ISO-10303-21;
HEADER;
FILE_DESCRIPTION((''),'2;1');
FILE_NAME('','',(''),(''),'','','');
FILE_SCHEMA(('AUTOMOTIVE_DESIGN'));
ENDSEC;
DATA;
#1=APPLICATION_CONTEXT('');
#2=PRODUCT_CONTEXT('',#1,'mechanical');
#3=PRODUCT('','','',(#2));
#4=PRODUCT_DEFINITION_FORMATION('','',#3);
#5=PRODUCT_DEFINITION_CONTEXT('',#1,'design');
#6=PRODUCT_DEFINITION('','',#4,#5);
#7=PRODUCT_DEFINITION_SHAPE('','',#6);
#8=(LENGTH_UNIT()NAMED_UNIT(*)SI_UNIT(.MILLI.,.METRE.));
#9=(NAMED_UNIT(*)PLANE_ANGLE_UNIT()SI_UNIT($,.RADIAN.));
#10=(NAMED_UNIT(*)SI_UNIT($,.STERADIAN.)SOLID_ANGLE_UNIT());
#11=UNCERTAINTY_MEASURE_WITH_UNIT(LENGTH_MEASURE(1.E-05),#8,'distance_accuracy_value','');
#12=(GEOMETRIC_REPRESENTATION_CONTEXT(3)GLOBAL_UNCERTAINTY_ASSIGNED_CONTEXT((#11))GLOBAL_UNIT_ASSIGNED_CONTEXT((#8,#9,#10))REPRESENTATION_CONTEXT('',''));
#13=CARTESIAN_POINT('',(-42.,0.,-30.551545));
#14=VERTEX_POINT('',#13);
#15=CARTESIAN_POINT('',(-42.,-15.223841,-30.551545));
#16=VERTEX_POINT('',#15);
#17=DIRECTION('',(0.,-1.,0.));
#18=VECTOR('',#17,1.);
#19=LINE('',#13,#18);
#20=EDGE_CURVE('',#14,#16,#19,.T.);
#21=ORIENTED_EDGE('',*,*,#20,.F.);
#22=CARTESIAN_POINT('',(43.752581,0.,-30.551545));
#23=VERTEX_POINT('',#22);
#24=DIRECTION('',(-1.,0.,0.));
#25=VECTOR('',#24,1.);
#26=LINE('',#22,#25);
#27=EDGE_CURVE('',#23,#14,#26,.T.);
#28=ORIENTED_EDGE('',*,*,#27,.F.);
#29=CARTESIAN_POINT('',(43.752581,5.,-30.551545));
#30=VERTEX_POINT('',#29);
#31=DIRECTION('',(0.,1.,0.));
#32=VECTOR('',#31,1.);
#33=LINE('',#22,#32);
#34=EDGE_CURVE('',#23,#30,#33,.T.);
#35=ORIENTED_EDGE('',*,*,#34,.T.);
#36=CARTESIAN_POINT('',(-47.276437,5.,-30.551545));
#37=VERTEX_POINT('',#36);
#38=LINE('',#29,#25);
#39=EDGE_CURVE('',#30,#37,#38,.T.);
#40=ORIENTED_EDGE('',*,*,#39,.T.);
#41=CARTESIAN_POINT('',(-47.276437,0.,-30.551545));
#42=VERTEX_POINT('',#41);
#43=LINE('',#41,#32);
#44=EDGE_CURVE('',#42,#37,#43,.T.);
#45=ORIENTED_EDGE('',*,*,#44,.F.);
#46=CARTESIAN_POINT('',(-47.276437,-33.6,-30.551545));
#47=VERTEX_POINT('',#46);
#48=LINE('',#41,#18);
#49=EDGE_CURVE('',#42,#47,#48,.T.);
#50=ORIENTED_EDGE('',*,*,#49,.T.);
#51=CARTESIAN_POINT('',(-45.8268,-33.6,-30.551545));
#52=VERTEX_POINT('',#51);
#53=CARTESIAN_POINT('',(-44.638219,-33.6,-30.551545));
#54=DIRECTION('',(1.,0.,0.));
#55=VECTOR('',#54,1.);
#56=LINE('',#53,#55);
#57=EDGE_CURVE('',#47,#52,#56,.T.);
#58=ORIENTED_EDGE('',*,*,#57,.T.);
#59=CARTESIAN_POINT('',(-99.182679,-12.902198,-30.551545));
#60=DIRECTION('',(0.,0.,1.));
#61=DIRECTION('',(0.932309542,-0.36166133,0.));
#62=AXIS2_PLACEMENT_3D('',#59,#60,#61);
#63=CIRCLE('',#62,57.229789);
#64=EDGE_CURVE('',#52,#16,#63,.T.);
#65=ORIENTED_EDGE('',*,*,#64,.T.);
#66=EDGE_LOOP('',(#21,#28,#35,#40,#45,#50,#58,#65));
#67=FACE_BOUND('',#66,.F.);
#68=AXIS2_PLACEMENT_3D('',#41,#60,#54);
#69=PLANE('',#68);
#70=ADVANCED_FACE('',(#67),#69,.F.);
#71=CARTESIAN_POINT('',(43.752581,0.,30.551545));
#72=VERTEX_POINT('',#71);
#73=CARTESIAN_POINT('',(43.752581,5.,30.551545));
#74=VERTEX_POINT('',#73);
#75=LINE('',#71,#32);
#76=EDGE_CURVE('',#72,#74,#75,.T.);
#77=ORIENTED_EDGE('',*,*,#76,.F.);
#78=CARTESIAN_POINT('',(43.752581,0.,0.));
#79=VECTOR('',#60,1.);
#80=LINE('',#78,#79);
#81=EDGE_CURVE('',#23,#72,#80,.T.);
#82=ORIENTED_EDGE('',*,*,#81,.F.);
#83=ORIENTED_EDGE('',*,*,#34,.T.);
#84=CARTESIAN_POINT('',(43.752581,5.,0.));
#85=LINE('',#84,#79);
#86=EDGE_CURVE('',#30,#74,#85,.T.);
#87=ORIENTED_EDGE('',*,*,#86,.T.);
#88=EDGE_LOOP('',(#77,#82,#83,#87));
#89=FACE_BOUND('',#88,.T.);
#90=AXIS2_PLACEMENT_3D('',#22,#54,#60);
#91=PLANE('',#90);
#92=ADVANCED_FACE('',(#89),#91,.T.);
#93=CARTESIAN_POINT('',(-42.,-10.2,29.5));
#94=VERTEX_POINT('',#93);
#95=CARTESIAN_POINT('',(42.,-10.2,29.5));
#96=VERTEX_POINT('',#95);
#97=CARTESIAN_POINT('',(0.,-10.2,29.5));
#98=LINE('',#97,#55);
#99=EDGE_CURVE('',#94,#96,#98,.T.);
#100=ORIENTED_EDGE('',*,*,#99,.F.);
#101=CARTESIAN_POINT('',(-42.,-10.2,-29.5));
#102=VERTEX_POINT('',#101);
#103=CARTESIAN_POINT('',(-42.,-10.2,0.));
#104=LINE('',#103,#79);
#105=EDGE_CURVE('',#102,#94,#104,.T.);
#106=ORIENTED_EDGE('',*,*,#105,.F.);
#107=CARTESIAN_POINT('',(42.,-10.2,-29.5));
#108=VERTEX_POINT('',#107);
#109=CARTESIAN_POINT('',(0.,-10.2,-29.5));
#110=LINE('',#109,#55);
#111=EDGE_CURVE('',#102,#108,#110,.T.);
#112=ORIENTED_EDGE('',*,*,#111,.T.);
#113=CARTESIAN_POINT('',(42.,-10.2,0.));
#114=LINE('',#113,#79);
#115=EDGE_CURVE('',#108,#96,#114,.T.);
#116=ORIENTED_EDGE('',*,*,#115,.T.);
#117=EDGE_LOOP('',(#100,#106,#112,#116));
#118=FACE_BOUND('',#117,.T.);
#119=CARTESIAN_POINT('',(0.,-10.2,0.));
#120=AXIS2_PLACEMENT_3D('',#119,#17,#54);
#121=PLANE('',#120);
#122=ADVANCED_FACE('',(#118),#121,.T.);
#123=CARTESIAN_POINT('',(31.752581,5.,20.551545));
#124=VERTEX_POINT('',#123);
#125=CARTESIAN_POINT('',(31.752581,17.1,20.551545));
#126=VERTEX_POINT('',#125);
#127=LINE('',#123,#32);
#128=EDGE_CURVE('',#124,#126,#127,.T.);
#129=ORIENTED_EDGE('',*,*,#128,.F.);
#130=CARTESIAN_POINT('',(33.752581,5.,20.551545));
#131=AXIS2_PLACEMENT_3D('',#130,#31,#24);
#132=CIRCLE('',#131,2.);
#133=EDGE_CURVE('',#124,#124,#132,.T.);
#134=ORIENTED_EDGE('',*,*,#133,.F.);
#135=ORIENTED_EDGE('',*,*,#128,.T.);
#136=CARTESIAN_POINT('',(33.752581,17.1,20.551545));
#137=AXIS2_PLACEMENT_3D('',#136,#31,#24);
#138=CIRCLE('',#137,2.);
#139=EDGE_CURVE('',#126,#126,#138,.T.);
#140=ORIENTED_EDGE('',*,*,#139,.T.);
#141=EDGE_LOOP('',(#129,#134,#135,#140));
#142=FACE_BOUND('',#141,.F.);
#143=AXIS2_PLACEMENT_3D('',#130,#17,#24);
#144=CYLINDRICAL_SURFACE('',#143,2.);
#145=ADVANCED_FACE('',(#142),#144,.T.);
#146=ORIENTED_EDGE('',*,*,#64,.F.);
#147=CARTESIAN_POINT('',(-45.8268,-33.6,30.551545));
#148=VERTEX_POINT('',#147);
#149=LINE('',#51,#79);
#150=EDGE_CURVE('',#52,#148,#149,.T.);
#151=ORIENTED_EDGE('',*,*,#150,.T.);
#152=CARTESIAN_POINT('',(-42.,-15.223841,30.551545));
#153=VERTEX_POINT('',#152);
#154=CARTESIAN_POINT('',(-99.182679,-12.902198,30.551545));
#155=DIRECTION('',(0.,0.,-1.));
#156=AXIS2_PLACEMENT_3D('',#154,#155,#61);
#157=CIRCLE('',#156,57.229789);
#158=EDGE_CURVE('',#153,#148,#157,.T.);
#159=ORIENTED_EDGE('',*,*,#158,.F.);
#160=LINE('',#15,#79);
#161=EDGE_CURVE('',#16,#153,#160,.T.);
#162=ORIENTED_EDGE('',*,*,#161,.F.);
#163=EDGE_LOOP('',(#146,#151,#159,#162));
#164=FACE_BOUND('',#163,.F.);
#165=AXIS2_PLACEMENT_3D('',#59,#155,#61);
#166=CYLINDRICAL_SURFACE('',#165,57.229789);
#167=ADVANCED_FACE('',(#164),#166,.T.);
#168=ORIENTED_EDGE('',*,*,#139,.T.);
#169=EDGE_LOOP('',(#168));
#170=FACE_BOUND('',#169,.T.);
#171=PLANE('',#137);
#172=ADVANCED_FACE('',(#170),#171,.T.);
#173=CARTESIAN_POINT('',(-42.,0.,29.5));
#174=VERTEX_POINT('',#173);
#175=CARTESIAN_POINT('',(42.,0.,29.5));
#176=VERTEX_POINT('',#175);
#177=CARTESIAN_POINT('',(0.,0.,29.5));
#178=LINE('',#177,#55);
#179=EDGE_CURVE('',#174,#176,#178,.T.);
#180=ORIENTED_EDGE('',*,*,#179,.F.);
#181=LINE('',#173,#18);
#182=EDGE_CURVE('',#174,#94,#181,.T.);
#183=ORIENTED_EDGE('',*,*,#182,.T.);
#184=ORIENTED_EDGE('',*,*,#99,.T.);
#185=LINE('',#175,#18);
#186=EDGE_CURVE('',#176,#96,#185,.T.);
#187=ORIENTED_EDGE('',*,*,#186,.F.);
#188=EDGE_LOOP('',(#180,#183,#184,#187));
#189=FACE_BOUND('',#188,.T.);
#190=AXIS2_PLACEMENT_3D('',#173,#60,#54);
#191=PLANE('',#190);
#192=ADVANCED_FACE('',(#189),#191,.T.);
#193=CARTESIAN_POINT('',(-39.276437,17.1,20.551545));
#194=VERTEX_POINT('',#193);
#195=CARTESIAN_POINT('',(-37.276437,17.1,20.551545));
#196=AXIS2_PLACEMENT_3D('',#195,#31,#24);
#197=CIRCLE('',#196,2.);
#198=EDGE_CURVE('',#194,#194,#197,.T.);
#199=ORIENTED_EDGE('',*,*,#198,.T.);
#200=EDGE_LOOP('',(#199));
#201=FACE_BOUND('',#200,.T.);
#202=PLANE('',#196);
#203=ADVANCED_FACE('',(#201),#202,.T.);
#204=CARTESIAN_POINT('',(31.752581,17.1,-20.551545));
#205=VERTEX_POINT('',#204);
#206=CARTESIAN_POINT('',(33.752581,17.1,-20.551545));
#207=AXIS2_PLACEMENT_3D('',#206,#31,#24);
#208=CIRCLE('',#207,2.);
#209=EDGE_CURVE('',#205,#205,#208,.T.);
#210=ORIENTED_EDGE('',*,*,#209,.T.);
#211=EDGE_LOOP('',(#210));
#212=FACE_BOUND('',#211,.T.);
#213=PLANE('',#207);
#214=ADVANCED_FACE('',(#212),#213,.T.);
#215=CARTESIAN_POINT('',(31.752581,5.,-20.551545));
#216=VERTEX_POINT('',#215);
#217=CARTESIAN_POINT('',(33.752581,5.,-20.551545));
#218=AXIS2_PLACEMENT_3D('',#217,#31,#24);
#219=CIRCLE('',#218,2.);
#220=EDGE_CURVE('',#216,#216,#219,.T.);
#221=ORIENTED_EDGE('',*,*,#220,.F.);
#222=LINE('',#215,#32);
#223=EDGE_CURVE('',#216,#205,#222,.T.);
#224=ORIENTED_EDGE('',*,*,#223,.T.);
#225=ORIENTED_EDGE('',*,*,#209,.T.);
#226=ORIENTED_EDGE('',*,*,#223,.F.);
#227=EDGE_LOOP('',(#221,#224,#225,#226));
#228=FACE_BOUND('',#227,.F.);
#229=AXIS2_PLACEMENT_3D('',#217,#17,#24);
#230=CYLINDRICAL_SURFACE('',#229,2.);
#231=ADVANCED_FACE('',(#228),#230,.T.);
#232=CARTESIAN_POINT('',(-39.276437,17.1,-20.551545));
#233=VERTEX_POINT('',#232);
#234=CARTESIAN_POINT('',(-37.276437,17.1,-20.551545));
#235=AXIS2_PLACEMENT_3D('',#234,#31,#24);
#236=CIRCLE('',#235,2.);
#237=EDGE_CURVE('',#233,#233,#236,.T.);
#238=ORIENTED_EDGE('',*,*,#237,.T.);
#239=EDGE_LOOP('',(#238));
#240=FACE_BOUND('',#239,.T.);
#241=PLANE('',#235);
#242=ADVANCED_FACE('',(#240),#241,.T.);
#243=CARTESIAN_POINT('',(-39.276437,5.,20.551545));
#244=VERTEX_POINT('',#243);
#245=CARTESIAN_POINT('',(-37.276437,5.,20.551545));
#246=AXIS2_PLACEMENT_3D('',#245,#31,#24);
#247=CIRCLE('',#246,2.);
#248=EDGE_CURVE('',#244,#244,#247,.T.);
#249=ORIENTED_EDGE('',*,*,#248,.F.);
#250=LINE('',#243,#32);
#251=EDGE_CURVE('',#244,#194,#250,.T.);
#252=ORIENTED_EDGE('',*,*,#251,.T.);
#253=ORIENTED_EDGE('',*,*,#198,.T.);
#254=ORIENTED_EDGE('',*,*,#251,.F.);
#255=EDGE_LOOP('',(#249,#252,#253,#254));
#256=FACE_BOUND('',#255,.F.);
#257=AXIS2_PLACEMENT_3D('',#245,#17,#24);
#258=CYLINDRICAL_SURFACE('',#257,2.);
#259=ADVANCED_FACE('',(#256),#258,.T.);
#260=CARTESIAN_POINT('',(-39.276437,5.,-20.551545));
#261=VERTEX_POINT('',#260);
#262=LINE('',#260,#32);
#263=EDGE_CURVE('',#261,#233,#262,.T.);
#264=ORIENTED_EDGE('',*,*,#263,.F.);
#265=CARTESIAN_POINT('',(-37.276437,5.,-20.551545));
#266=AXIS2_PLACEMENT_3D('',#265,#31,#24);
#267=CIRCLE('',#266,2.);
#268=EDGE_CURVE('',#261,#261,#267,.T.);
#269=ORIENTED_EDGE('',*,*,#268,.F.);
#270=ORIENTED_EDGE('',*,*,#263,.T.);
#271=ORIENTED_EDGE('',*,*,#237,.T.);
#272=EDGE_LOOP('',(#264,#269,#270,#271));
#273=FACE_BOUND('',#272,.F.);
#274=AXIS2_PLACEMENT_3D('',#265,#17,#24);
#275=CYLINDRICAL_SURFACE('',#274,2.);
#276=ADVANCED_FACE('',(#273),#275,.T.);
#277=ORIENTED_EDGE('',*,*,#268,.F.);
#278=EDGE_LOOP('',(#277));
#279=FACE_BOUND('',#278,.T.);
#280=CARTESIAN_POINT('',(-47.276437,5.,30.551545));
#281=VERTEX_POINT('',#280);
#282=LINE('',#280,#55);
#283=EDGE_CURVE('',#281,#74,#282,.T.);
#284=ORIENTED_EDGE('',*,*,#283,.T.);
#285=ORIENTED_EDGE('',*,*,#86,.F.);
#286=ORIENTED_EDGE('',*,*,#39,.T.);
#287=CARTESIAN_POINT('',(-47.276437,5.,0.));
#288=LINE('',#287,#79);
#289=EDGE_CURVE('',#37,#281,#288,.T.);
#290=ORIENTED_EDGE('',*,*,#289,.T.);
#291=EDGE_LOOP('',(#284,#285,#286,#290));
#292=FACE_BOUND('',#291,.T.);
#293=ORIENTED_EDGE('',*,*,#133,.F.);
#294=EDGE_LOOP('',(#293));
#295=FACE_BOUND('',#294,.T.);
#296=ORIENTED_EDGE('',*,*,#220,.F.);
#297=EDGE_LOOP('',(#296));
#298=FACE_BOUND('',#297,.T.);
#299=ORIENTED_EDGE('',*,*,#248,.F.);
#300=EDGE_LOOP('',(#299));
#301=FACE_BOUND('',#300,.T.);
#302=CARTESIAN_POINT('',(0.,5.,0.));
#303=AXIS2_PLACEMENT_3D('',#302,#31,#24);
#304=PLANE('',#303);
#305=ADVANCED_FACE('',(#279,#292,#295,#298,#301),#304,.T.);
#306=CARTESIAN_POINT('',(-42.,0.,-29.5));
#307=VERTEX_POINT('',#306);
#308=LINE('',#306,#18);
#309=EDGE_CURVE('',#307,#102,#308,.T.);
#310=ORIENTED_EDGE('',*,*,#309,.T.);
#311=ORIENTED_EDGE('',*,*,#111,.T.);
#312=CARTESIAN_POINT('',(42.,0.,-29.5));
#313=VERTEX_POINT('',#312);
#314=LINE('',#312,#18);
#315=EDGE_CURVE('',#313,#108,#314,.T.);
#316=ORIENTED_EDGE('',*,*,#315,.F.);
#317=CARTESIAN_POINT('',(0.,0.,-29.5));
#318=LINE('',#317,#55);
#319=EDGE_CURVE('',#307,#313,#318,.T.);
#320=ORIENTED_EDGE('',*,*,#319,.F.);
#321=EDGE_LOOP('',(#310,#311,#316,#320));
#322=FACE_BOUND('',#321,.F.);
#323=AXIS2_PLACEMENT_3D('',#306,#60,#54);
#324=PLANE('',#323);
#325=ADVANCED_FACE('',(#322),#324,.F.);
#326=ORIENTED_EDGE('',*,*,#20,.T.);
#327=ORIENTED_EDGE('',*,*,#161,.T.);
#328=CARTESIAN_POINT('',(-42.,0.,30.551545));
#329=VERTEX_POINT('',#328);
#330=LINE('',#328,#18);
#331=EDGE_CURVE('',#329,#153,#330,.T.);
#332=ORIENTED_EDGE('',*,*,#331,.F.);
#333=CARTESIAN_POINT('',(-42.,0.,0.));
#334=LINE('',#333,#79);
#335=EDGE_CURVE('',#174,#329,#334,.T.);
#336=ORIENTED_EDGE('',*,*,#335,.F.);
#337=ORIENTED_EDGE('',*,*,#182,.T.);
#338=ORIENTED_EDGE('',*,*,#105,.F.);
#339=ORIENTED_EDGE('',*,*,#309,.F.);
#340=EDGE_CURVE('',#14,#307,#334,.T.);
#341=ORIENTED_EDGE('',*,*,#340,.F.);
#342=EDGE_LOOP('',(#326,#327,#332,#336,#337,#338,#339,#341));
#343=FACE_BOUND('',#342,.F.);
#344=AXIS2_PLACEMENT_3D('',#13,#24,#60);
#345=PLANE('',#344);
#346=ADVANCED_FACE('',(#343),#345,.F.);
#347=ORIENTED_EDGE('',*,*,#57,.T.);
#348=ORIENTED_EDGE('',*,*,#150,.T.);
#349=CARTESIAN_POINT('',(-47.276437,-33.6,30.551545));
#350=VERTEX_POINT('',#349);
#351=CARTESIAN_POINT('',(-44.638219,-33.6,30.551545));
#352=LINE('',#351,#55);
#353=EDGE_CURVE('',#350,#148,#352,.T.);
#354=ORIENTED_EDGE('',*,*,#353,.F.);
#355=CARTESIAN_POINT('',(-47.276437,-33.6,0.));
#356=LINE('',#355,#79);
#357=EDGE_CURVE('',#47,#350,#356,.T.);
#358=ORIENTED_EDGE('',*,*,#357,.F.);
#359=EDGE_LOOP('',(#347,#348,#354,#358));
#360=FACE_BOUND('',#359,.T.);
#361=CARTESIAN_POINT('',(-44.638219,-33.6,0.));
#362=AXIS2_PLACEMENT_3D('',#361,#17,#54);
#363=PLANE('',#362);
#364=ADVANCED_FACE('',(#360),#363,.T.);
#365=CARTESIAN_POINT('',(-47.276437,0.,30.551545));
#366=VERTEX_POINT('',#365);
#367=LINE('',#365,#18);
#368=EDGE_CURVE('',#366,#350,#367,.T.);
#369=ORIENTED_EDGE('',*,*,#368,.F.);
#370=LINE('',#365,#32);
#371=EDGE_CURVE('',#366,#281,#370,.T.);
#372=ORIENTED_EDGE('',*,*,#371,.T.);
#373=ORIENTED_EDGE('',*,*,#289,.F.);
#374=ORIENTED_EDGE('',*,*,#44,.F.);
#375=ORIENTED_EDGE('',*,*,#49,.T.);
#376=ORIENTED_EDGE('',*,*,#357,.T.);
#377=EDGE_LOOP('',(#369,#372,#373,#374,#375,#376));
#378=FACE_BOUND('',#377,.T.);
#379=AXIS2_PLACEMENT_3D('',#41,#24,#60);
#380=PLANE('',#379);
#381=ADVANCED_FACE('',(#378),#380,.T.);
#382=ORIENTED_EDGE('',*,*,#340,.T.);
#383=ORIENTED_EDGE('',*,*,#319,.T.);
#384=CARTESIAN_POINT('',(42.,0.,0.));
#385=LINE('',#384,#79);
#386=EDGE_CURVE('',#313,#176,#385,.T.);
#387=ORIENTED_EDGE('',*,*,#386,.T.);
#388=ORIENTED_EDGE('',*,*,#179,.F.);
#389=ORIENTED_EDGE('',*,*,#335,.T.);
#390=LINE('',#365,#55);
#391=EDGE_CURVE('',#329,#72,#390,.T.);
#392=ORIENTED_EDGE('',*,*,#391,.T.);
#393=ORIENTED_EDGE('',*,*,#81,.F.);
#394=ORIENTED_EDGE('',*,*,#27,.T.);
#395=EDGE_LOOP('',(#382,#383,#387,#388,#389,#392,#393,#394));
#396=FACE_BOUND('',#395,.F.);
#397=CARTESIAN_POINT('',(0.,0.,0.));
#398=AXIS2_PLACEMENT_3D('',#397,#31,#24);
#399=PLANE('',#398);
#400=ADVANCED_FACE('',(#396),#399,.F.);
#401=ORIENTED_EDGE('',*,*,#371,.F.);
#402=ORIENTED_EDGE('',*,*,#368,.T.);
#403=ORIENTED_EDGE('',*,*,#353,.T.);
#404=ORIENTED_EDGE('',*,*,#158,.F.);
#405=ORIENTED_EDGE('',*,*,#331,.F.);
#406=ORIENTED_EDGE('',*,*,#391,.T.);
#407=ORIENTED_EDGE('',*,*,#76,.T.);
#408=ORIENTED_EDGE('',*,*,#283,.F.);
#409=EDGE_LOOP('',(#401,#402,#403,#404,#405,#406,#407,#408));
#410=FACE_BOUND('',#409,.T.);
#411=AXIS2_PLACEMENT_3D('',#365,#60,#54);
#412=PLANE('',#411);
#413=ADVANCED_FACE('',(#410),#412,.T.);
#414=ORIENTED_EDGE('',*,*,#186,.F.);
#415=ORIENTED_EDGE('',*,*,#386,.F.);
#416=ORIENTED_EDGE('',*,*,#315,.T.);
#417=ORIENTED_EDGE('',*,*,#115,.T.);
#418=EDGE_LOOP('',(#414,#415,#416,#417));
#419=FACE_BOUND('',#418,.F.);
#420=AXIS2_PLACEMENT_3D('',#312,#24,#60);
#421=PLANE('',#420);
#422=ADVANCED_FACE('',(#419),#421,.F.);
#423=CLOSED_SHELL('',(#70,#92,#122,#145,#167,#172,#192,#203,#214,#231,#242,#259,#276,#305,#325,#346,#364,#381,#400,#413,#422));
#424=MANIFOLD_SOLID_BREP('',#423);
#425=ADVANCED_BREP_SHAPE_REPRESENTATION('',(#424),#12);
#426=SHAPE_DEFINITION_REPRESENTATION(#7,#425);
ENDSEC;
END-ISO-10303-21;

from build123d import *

# Parameters (mm, degrees)
F0_W     = 84
F0_H     = 59
F1_DEPTH = 10.2
F2_W     = 87.5051617622
F2_H     = 61.1030906439
F2_W_2   = 3.5238564014
F3_DEPTH = 5
F4_W     = 5.2764372826
F4_H     = 61.1030906439
F5_DEPTH = 33.6
F7_DEPTH = 69.2
F8_R     = 2
F9_DEPTH = 12.1


with BuildPart() as f1:
    # F0 (on Front) → F1 (new body)
    with BuildSketch(Plane.XZ):
        Rectangle(F0_W, F0_H)
    extrude(amount=F1_DEPTH)

    # F2 (on face) → F3 (join)
    with BuildSketch(Plane(origin=(0, 0, 0), x_dir=(-1, 0, 0), z_dir=(0, 1, 0))):
        Rectangle(F2_W, F2_H)
        with Locations((45.5145090818, 0)):
            Rectangle(F2_W_2, F2_H)
    extrude(amount=F3_DEPTH)

    # F4 (on face) → F5 (join)
    with BuildSketch(Plane.XZ):
        with Locations((-44.6382186413, 0)):
            Rectangle(F4_W, F4_H)
    extrude(amount=F5_DEPTH)

    # F6 (on face) → F7 (cut)
    with BuildSketch(Plane(origin=(0, 0, -30.5515453219), x_dir=(1, 0, 0), z_dir=(0, 0, -1))):
        with BuildLine():
            ThreePointArc((-45.8268001676, 33.6), (-43.1548823666, 24.5698804652), (-42, 15.2238411829))
            Line((-42, 15.2238411829), (-42, 33.6))
            Line((-42, 33.6), (-45.8268001676, 33.6))
        make_face()
    extrude(amount=-F7_DEPTH, mode=Mode.SUBTRACT)

    # F8 (on face) → F9 (join)
    with BuildSketch(Plane(origin=(0, 5, 0), x_dir=(-1, 0, 0), z_dir=(0, 1, 0))):
        with Locations((-33.7525808811, 20.5515453219)):
            Circle(F8_R)
        with Locations((37.2764372826, 20.5515453219)):
            Circle(F8_R)
        with Locations((37.2764372826, -20.5515453219)):
            Circle(F8_R)
        with Locations((-33.7525808811, -20.5515453219)):
            Circle(F8_R)
    extrude(amount=F9_DEPTH)


solid = f1.part
